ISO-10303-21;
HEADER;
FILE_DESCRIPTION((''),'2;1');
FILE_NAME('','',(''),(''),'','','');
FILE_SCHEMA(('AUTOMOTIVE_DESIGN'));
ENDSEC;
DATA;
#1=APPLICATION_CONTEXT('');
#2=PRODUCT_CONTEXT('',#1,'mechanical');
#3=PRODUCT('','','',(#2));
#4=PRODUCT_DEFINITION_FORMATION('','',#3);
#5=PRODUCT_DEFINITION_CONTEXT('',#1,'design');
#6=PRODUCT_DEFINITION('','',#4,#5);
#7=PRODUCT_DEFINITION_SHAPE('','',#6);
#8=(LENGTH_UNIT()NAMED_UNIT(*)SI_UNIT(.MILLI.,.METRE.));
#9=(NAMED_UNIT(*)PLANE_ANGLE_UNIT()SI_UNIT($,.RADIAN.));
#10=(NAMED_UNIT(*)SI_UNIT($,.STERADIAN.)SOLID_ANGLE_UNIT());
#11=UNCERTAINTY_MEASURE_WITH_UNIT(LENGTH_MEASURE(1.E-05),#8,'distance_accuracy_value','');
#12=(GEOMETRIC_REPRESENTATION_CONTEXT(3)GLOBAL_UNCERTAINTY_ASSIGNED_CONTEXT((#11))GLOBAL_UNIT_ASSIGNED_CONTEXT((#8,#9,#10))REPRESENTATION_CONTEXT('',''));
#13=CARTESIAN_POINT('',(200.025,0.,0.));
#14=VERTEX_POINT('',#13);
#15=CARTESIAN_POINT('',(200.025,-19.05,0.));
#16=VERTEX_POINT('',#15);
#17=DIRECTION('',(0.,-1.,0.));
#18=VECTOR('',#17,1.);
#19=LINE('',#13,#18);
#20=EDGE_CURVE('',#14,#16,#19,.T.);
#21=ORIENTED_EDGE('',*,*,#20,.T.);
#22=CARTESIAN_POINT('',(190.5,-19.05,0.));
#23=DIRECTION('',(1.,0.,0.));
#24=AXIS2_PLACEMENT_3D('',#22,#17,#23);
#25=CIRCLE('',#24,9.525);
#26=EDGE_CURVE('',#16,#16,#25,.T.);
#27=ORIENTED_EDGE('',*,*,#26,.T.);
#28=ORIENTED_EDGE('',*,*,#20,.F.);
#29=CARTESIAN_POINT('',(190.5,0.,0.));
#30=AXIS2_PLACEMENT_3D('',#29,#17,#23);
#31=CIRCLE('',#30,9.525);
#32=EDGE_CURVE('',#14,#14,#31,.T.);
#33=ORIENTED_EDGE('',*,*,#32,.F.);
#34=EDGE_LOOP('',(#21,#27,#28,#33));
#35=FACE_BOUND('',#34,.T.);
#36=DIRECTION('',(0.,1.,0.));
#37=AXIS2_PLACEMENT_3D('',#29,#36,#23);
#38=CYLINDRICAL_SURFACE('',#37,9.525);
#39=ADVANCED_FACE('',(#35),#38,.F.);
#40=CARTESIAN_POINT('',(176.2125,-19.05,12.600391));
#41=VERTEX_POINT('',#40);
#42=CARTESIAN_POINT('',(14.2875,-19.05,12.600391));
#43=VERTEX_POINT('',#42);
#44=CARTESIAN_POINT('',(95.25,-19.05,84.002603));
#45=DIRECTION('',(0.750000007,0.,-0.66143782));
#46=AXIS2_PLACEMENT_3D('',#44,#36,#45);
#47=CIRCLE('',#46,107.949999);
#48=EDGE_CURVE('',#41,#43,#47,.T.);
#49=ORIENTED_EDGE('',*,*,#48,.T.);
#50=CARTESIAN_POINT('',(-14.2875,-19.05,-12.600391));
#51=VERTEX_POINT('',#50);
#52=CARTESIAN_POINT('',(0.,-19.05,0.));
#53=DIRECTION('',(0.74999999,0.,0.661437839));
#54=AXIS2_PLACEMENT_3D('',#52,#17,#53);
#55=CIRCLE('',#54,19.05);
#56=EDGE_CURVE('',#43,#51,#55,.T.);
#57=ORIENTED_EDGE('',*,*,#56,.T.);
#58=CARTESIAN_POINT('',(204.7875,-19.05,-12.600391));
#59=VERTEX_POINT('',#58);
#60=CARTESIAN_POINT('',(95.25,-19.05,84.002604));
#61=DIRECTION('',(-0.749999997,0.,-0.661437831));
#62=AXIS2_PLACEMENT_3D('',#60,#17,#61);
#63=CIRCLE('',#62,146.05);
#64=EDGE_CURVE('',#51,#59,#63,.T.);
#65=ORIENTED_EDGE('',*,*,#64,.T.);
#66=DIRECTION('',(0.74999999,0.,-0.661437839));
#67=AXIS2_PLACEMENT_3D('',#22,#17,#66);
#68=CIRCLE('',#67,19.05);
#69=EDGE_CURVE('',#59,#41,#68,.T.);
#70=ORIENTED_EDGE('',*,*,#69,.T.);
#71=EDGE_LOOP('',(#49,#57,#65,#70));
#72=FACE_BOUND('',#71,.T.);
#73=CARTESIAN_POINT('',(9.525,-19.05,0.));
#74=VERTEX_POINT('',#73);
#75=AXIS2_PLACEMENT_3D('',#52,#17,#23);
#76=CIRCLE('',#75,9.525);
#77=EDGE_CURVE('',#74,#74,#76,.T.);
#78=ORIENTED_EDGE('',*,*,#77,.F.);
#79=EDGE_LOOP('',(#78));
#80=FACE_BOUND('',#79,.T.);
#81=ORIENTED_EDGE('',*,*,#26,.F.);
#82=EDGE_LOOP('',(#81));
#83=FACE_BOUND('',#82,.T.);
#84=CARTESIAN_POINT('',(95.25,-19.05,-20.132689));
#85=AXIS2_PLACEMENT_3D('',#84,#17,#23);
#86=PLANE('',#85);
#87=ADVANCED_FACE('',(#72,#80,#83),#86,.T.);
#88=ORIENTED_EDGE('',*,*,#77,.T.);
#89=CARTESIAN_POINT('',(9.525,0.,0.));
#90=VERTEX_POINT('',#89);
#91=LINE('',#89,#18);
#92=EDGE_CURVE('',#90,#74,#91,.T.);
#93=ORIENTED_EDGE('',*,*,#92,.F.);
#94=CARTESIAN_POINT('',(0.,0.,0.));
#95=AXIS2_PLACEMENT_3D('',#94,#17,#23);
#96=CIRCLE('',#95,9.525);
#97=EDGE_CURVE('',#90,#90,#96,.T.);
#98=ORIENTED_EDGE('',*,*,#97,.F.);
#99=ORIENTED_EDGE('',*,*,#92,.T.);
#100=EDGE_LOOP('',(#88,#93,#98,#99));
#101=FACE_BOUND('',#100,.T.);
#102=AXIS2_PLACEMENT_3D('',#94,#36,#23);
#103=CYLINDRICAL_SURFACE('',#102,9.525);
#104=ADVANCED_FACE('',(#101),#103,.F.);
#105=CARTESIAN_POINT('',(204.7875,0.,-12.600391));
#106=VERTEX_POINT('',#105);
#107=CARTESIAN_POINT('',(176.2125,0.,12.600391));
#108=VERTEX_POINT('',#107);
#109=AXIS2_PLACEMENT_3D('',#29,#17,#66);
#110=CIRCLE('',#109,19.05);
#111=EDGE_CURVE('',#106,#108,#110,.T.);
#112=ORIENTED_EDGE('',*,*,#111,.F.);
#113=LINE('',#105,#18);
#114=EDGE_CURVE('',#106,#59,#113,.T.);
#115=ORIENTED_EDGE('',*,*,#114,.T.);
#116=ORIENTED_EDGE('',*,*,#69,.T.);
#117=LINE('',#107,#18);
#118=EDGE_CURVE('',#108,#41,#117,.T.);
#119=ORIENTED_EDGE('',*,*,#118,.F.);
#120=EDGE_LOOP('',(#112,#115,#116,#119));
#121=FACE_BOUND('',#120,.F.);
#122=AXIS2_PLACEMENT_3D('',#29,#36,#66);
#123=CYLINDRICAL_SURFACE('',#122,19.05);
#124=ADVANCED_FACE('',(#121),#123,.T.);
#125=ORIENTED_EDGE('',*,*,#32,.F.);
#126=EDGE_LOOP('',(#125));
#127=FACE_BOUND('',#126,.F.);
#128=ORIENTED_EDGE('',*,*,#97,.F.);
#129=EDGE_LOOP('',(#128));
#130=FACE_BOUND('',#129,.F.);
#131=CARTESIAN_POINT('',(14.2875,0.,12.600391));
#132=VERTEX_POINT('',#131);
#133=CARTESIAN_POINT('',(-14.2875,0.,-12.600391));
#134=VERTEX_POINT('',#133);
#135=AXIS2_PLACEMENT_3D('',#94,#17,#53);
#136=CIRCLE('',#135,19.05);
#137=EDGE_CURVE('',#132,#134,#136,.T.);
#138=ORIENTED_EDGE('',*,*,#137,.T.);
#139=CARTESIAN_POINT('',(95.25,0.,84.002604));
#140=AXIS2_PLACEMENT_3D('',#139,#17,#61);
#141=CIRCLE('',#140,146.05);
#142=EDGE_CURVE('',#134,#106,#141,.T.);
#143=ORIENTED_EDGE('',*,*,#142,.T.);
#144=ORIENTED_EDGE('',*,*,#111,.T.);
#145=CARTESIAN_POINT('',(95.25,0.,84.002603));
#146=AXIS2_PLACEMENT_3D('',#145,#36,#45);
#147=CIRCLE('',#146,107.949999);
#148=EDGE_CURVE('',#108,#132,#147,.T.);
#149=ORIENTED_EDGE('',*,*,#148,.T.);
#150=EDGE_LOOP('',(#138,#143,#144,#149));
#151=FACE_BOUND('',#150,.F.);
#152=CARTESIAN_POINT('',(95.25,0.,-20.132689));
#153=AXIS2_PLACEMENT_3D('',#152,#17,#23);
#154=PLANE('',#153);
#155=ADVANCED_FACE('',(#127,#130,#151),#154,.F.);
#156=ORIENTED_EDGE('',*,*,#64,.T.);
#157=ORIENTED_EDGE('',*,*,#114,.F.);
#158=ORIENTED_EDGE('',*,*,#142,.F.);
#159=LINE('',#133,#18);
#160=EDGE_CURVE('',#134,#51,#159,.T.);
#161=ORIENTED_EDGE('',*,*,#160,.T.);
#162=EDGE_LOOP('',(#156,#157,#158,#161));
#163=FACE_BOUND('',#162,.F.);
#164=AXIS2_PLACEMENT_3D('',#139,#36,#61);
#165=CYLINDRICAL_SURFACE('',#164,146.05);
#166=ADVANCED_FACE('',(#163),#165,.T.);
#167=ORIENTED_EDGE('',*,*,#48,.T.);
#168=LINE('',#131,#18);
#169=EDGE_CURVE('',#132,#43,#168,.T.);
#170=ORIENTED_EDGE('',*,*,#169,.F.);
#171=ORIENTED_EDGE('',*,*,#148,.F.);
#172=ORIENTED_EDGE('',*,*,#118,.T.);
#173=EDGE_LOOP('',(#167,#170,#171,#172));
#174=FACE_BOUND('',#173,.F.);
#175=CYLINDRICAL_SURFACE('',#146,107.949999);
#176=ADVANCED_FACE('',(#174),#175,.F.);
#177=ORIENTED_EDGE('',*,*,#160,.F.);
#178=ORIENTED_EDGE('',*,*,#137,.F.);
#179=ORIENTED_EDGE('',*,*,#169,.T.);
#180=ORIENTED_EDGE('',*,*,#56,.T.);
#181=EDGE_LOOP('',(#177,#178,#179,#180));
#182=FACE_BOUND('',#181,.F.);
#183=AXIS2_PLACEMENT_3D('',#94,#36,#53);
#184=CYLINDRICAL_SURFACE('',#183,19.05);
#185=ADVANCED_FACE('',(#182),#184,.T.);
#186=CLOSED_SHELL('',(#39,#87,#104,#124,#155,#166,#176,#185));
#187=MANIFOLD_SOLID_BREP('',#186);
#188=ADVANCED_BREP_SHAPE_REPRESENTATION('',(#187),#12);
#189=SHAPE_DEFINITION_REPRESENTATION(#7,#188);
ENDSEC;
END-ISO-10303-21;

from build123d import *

# Parameters (mm, degrees)
F0_R     = 9.525
F1_DEPTH = 19.05


with BuildPart() as f1:
    # F0 (on Front) → F1 (new body)
    with BuildSketch(Plane.XZ):
        with BuildLine():
            ThreePointArc((14.2875, 12.600391), (-12.600391, 14.2875), (-14.2875, -12.600391))
            ThreePointArc((-14.2875, -12.600391), (95.25, -62.047396), (204.7875, -12.600391))
            ThreePointArc((204.7875, -12.600391), (203.100391, 14.2875), (176.2125, 12.600391))
            ThreePointArc((176.2125, 12.600391), (95.25, -23.947396), (14.2875, 12.600391))
        make_face()
        Circle(F0_R, mode=Mode.SUBTRACT)
        with Locations((190.5, 0)):
            Circle(F0_R, mode=Mode.SUBTRACT)
    extrude(amount=F1_DEPTH)


solid = f1.part
